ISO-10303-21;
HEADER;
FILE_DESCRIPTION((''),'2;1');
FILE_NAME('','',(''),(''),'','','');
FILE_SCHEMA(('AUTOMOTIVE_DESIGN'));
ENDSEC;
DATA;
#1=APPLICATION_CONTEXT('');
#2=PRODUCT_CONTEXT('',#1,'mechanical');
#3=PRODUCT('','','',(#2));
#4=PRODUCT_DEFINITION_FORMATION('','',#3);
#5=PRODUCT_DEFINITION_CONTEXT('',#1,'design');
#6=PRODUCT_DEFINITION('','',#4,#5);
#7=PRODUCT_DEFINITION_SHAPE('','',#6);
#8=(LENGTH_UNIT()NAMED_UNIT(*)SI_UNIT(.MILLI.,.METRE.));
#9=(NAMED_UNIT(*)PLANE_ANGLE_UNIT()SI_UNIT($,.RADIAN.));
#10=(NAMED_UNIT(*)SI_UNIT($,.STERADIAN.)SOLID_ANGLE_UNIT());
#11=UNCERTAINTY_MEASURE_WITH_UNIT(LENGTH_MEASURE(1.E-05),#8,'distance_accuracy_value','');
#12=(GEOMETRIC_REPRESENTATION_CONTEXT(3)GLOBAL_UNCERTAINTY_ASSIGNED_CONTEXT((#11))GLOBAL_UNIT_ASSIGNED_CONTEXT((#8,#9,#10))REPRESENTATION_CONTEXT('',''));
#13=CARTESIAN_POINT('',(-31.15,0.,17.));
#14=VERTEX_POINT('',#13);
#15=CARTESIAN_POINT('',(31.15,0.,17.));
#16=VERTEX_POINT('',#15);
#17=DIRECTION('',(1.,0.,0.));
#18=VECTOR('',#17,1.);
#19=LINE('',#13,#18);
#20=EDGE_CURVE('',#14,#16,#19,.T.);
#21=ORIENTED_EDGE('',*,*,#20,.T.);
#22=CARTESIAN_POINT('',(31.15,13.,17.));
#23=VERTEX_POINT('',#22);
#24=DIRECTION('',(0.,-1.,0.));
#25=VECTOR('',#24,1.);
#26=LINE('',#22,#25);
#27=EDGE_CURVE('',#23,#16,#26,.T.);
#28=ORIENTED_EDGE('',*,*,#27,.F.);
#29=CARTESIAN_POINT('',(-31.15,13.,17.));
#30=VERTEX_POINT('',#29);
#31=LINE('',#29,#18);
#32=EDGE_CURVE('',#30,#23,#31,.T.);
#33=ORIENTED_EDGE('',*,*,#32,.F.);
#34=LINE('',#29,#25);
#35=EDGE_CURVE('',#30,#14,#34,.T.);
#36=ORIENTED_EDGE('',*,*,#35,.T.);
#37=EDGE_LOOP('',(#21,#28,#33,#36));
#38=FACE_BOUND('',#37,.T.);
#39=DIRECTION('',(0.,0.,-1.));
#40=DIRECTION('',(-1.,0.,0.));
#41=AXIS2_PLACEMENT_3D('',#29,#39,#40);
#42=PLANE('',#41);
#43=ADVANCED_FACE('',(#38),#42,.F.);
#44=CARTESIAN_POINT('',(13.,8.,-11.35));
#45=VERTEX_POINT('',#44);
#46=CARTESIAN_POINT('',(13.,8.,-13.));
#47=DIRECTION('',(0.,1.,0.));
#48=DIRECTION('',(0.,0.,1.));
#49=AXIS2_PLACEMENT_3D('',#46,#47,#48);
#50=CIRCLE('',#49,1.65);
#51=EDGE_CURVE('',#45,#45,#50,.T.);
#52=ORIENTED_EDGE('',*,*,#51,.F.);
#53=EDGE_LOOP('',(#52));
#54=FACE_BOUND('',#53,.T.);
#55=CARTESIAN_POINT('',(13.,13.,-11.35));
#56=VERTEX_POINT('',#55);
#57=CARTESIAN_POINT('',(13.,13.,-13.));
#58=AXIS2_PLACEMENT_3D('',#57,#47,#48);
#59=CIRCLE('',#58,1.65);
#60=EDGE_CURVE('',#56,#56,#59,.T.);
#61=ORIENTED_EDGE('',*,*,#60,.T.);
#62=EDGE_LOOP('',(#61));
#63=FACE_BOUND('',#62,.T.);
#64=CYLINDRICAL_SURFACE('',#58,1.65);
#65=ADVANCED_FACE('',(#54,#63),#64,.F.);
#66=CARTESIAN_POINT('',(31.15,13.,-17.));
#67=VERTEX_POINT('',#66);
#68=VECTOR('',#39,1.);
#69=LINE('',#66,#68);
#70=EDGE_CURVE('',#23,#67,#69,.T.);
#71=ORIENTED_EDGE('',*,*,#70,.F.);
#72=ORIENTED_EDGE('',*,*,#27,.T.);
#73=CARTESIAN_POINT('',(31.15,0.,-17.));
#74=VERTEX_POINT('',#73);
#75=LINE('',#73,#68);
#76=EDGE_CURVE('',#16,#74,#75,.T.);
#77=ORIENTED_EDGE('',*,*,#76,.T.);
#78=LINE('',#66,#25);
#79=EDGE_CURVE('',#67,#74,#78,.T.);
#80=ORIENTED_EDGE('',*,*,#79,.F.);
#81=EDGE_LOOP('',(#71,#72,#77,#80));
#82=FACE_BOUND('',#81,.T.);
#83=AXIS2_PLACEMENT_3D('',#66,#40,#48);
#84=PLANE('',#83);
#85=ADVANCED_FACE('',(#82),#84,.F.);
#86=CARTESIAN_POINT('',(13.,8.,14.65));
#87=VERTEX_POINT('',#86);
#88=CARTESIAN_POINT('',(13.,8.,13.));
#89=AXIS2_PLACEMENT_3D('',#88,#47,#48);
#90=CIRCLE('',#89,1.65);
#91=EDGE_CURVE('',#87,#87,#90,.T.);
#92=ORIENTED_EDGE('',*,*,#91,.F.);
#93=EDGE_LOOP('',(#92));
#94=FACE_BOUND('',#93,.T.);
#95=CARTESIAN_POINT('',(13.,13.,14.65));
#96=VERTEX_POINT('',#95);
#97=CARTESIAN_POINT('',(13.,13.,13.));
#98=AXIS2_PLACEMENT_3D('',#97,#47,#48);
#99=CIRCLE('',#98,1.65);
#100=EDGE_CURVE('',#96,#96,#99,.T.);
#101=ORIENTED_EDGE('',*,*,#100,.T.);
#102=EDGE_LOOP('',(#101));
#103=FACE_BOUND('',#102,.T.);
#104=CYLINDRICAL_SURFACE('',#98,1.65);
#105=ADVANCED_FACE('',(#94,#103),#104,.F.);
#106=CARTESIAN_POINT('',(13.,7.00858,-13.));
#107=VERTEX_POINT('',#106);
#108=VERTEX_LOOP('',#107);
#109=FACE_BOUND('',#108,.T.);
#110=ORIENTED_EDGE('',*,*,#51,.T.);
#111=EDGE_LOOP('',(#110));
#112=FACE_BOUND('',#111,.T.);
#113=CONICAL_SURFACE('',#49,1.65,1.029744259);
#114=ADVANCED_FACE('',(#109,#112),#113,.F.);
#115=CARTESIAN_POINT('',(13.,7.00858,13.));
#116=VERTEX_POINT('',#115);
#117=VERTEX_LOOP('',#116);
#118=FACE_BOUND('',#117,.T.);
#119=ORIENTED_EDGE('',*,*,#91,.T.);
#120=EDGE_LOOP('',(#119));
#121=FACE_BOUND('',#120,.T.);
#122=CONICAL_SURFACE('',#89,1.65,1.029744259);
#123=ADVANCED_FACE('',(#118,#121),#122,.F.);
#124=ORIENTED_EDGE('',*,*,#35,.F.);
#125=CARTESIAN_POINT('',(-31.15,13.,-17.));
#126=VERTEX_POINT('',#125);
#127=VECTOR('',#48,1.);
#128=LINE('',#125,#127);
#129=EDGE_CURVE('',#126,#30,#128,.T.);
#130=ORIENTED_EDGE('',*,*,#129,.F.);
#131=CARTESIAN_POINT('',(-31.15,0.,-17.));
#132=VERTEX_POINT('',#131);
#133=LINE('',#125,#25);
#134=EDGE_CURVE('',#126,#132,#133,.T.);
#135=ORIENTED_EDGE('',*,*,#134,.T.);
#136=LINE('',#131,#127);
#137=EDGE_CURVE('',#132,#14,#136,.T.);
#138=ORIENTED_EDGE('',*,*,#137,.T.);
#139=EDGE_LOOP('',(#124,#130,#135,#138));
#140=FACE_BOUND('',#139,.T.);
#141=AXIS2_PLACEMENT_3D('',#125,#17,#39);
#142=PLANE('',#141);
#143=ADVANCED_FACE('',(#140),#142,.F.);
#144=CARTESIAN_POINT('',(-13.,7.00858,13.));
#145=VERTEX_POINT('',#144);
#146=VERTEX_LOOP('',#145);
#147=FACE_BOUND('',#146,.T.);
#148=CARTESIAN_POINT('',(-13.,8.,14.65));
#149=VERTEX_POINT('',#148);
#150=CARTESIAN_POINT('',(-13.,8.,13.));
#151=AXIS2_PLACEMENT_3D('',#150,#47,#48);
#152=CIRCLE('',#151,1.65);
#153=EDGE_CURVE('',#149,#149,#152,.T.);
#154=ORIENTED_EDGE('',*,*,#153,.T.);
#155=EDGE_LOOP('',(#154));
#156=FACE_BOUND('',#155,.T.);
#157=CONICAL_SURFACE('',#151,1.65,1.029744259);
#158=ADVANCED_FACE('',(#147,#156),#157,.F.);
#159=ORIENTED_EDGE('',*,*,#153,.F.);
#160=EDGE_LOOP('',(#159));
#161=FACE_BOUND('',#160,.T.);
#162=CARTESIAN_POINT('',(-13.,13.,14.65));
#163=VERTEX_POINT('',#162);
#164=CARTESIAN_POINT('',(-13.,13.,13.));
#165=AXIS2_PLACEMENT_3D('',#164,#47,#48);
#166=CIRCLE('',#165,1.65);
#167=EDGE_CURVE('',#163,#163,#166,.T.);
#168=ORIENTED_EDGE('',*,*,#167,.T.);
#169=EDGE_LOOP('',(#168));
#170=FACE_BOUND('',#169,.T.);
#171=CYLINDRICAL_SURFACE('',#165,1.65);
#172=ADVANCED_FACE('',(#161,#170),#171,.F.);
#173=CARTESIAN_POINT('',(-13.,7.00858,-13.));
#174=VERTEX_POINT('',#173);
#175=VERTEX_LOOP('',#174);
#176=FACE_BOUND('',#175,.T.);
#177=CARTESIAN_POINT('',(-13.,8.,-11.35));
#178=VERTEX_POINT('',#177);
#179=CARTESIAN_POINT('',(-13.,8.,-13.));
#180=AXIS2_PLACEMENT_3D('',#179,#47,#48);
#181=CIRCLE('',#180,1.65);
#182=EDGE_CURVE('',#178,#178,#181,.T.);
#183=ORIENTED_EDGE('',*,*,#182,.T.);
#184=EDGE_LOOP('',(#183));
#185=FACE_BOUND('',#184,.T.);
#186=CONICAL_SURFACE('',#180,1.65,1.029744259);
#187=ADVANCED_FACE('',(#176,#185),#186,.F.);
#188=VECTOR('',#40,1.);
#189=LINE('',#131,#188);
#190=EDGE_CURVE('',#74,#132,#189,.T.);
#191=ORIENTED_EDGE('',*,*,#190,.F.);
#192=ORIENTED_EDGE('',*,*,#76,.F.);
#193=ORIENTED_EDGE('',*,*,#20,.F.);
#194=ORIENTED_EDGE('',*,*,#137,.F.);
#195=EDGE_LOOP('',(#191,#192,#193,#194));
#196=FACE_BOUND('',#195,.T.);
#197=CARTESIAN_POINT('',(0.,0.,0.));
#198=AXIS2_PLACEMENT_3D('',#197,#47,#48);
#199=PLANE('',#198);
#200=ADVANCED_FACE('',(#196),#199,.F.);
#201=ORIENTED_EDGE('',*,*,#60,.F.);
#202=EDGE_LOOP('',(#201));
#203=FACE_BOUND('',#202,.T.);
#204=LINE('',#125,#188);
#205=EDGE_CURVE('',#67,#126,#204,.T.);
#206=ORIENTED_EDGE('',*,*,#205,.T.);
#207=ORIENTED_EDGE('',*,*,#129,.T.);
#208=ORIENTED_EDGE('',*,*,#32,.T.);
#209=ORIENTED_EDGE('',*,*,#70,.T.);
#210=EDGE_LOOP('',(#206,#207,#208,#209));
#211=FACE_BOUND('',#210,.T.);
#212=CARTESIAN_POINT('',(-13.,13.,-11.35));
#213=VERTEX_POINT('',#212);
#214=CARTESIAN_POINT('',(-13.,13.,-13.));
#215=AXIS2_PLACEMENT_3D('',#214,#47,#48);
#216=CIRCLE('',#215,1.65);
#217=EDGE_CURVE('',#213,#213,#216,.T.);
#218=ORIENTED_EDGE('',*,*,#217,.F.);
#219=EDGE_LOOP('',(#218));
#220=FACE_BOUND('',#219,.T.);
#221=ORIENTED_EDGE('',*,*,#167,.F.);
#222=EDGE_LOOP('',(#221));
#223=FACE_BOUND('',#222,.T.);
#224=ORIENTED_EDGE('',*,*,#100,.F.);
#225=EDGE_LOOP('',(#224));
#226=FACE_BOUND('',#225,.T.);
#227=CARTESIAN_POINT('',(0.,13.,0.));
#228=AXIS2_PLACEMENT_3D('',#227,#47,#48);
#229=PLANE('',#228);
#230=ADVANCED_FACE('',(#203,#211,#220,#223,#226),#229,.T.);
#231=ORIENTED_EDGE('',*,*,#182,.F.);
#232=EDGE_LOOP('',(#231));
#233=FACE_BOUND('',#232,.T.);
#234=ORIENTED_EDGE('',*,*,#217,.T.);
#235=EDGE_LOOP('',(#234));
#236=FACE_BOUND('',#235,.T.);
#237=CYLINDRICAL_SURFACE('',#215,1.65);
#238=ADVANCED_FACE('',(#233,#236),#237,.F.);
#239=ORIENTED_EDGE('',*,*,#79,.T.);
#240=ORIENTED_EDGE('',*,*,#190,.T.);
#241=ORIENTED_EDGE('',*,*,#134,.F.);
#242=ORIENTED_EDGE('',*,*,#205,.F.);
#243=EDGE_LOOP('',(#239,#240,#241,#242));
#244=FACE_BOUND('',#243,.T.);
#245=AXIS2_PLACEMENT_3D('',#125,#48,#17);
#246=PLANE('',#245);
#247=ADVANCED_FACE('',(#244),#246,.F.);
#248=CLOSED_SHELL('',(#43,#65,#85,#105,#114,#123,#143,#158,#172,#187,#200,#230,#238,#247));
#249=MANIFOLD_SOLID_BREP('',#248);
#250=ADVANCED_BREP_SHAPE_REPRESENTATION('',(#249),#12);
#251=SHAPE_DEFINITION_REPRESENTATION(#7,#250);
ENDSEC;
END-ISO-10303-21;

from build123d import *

# Parameters (mm, degrees)
SKETCH_1_W             = 62.3
SKETCH_1_H             = 34
EXTRUDE_281_DEPTH      = 13
HOLE_WIZARD_M4_1_D     = 3.3
HOLE_WIZARD_M4_1_DEPTH = 5
HOLE_WIZARD_M4_1_TIP   = 0.991420021


with BuildPart() as part:
    # 草图1 → Extrude 281 (new body)
    with BuildSketch(Plane(origin=(0, 0, 0), x_dir=(1, 0, 0), z_dir=(0, 1, 0))):
        Rectangle(SKETCH_1_W, SKETCH_1_H)
    extrude(amount=EXTRUDE_281_DEPTH)

    # M4 螺纹孔1
    with Locations(Plane(origin=(0, 13, 0), x_dir=(1, 0, 0), z_dir=(0, 1, 0))):
        with Locations((-13, 13), (-13, -13), (13, 13), (13, -13)):
            Hole(HOLE_WIZARD_M4_1_D / 2, depth=HOLE_WIZARD_M4_1_DEPTH)
            with Locations((0, 0, -(HOLE_WIZARD_M4_1_DEPTH + HOLE_WIZARD_M4_1_TIP / 2))):  # 118° drill point
                Cone(0, HOLE_WIZARD_M4_1_D / 2, HOLE_WIZARD_M4_1_TIP, mode=Mode.SUBTRACT)


solid = part.part
